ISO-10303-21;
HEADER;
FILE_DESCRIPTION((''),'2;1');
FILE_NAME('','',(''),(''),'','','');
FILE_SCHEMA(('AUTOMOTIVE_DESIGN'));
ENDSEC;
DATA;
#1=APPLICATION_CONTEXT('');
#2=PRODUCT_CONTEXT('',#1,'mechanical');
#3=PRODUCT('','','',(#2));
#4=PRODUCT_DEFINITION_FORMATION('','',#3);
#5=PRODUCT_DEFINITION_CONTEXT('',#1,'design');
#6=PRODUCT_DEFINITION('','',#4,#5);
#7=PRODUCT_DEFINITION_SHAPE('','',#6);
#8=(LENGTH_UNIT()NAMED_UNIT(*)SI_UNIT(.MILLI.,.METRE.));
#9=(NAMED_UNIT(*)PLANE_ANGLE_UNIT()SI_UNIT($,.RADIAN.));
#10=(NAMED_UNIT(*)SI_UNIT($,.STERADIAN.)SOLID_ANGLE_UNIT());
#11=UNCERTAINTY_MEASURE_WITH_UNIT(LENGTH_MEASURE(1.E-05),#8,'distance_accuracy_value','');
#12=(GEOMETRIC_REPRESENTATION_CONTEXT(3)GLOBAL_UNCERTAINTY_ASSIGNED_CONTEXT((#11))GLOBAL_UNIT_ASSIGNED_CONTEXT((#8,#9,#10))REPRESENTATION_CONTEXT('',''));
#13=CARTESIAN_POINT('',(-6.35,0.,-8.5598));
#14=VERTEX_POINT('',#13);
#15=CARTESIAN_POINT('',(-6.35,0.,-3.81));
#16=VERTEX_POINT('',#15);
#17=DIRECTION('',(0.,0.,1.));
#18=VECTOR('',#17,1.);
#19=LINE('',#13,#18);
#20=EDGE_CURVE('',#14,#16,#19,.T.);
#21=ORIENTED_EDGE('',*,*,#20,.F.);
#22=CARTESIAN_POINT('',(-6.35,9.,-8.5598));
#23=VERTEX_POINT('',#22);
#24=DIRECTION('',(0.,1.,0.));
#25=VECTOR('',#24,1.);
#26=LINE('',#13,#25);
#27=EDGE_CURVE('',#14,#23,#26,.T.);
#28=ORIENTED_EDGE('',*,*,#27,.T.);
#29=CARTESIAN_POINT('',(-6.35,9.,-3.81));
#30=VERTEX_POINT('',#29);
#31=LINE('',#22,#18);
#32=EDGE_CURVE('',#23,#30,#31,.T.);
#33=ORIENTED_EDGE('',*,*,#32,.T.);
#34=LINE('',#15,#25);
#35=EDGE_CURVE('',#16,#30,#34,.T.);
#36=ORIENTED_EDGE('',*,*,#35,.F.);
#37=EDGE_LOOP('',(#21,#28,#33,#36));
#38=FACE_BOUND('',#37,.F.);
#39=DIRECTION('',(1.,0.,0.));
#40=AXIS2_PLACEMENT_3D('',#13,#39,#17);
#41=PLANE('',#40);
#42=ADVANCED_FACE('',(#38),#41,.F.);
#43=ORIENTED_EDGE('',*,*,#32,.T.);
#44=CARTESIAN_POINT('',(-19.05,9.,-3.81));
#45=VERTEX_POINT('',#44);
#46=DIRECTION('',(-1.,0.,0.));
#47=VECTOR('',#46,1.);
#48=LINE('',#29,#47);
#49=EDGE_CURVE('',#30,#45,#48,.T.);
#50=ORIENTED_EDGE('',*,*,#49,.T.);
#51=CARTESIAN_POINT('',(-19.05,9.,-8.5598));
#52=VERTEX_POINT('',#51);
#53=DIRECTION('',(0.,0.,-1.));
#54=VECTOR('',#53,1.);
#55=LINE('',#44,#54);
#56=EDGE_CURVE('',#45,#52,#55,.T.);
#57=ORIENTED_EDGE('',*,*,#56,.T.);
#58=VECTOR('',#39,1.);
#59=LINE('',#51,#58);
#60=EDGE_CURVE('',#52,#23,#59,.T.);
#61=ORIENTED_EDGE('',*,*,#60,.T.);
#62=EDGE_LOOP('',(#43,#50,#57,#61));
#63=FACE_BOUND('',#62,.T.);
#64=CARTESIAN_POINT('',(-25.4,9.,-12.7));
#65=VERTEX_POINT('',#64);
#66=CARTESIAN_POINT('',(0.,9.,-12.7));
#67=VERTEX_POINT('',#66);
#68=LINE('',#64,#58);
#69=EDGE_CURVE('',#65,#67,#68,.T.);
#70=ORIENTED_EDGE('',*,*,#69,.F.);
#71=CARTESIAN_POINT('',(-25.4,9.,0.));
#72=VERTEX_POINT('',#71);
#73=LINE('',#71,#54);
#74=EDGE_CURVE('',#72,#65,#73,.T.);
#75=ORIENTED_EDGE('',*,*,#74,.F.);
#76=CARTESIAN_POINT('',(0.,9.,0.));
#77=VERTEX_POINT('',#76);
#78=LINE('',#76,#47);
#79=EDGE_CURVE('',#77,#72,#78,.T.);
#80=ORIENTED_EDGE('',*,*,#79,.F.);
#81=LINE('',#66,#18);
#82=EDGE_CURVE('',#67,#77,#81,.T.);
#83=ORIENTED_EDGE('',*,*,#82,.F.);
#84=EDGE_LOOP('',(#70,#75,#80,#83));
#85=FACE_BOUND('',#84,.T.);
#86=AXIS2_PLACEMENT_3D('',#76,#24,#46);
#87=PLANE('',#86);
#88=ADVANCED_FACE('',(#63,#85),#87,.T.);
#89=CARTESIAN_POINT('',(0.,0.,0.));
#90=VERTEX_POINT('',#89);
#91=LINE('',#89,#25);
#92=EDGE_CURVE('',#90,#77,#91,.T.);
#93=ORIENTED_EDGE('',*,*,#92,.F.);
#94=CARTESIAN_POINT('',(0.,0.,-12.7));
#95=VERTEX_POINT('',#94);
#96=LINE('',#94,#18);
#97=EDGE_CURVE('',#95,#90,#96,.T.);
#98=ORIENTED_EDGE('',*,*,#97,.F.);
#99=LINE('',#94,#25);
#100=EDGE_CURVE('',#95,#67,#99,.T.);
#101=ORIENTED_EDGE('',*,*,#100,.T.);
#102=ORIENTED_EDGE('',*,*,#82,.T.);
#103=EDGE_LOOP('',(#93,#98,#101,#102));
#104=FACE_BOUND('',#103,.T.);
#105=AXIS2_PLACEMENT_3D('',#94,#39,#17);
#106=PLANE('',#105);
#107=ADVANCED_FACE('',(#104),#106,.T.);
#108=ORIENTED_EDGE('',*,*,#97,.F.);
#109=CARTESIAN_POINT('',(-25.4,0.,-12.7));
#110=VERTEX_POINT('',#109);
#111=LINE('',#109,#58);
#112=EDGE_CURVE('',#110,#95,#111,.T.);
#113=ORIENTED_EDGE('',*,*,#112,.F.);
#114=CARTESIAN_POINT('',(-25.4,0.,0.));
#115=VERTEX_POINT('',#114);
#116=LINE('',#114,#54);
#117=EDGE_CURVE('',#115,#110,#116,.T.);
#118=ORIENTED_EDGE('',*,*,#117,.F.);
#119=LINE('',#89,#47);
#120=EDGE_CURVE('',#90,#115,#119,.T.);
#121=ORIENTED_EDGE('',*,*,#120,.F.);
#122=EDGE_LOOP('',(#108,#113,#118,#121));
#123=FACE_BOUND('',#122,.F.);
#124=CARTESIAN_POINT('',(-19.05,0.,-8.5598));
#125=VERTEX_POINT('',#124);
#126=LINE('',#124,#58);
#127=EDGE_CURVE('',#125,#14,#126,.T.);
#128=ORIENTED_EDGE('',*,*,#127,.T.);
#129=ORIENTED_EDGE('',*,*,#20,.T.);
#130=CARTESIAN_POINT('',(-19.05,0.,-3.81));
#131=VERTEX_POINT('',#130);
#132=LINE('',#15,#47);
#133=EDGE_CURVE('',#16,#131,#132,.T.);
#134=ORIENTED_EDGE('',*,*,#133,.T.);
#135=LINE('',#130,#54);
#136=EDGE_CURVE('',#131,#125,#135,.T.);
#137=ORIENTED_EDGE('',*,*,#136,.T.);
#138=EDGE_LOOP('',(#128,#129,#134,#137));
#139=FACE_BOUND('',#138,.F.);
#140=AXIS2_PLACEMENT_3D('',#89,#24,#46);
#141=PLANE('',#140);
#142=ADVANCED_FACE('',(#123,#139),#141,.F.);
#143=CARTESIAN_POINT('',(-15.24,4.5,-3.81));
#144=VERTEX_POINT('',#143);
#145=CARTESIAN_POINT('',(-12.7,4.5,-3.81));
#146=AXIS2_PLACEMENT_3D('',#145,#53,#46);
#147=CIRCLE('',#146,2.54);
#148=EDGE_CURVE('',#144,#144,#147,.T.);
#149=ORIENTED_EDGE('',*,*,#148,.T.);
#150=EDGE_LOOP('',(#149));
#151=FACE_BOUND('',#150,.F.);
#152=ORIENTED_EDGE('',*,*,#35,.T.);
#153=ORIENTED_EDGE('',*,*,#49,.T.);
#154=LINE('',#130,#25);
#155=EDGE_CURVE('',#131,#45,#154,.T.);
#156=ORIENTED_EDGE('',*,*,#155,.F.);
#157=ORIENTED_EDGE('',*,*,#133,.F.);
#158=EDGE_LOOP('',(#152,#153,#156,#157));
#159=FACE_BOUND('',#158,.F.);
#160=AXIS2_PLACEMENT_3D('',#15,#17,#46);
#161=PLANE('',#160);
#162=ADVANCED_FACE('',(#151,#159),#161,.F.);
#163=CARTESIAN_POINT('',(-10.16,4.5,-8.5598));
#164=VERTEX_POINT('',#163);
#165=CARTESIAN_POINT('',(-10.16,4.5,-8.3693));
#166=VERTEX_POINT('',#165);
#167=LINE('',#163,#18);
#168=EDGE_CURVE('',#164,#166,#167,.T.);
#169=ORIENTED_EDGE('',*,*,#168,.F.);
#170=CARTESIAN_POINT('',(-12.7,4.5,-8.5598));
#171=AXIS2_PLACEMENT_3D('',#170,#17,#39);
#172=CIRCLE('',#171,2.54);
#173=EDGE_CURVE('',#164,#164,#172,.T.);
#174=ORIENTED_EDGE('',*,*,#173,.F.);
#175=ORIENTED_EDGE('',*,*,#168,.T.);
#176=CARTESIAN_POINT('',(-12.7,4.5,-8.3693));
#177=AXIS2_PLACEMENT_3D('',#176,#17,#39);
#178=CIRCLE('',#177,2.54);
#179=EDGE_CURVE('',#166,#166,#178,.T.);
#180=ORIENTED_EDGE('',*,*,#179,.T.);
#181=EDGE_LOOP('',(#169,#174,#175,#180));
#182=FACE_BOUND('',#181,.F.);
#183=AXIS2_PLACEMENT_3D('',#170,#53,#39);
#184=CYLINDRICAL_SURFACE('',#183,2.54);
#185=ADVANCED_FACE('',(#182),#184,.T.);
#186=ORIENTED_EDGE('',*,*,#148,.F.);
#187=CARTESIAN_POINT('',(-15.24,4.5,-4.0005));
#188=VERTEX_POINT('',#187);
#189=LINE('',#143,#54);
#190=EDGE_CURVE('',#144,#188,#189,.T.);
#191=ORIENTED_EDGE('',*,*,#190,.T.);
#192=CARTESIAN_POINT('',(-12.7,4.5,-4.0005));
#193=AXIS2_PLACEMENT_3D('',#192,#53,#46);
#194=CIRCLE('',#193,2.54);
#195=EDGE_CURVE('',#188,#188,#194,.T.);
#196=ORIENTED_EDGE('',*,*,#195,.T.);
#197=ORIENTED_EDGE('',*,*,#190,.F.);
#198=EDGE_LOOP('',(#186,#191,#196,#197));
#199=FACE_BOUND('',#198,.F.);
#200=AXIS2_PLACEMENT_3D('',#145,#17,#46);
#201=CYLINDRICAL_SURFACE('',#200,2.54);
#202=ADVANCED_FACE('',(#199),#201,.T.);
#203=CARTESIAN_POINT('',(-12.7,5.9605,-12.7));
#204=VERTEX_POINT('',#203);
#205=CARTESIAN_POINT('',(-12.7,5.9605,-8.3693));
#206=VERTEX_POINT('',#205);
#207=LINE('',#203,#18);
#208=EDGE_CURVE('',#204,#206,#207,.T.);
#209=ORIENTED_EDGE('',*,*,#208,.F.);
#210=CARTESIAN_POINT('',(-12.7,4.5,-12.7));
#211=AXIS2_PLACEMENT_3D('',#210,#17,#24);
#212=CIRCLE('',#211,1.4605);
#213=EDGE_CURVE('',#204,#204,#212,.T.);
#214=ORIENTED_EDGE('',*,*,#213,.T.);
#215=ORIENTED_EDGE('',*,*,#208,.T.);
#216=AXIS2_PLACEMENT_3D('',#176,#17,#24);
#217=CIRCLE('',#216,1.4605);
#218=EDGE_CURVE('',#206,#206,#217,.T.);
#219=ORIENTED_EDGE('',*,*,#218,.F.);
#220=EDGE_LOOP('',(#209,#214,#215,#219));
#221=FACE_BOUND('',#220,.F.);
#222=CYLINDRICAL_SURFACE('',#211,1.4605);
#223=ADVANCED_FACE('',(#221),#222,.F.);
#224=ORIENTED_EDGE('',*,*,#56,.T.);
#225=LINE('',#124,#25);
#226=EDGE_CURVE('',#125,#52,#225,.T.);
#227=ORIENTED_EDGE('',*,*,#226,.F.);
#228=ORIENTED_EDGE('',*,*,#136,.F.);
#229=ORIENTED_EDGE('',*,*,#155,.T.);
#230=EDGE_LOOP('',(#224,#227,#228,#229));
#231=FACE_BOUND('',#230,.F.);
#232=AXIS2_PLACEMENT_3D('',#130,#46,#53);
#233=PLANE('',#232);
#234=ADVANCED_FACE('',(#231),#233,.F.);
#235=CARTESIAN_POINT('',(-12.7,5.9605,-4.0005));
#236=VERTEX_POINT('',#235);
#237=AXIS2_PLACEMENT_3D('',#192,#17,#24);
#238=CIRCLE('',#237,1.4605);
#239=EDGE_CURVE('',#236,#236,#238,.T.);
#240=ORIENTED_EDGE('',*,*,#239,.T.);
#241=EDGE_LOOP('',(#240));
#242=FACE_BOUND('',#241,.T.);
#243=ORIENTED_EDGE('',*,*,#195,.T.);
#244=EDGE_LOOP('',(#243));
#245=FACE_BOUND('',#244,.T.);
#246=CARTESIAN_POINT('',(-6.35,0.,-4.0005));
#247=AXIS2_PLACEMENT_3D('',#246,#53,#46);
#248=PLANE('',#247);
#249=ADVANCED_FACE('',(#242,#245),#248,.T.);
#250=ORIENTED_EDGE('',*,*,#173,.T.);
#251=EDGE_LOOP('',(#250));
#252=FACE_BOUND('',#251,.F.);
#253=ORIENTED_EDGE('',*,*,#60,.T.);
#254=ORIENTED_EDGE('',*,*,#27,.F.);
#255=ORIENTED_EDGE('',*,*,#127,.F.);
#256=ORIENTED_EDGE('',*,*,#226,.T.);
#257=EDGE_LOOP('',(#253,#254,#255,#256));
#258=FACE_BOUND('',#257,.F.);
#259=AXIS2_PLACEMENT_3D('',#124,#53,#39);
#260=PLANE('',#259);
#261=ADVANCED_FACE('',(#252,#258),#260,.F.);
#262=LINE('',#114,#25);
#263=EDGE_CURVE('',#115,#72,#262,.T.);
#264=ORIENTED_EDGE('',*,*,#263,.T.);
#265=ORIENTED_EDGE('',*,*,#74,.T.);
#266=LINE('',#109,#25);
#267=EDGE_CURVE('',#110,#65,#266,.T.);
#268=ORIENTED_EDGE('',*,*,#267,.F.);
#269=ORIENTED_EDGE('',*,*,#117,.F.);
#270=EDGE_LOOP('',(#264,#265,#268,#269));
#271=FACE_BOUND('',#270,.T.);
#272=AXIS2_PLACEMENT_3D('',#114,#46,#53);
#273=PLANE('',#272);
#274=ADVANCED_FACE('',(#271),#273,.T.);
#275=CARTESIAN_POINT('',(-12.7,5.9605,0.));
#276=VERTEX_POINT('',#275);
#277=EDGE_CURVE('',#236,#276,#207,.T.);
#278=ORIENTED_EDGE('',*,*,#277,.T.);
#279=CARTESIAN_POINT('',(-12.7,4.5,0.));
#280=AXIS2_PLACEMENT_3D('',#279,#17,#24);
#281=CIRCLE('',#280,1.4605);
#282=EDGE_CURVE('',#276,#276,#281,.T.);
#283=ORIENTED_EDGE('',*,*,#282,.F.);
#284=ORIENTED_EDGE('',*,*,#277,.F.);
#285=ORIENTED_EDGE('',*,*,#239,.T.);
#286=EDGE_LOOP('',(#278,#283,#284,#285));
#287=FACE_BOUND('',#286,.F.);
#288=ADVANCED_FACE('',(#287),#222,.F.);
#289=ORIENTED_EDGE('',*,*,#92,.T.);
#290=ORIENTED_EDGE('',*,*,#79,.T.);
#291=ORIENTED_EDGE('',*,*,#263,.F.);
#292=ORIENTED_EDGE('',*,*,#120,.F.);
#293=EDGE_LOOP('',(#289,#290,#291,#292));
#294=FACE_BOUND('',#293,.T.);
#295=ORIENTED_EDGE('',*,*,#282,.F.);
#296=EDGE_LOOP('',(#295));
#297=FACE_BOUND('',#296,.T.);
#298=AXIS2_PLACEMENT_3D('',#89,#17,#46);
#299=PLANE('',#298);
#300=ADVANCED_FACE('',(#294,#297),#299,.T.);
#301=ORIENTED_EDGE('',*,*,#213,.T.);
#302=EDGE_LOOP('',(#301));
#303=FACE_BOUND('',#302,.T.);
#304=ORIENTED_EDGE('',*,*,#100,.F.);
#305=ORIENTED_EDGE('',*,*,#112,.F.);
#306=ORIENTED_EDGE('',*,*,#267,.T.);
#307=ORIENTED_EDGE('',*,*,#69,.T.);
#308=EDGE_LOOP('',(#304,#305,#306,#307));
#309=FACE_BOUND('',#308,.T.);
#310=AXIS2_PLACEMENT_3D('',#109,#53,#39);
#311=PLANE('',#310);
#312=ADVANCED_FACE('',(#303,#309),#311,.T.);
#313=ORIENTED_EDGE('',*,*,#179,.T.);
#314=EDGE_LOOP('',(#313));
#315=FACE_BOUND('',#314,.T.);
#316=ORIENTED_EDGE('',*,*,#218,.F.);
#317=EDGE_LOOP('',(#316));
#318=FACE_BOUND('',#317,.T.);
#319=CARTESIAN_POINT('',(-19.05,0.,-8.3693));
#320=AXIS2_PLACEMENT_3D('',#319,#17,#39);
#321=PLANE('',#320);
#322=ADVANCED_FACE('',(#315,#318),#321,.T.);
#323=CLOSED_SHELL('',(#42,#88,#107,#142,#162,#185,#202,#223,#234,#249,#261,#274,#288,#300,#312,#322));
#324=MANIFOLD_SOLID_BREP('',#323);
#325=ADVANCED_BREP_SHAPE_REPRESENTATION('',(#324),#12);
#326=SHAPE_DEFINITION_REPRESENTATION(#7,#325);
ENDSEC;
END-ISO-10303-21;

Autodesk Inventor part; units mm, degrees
ref_plane "YZ Plane" through (0, 0, 0) normal (1, 0, 0) x (0, 1, 0)
ref_plane "XZ Plane" through (0, 0, 0) normal (0, 1, 0) x (-1, 0, 0)
ref_plane "XY Plane" through (0, 0, 0) normal (0, 0, 1) x (1, 0, 0)
sketch "Sketch1" plane through (0, 0, 0) normal (0, 1, 0) x (-1, 0, 0)
  line L0 (0, 0) -> (25.4, 0)
  line L1 (25.4, 0) -> (25.4, -12.7)
  line L2 (25.4, -12.7) -> (0, -12.7)
  line L3 (0, -12.7) -> (0, 0)
  line L4 (6.35, -3.81) -> (19.05, -3.81)
  line L5 (19.05, -3.81) -> (19.05, -8.5598)
  line L6 (19.05, -8.5598) -> (6.35, -8.5598)
  line L7 (6.35, -8.5598) -> (6.35, -3.81)
  dimension "d0" = 25.4
  dimension "d1" = 12.7
  dimension "d2" = 12.7
  dimension "d3" = 4.7498
  dimension "d5" = 6.35
  dimension "d6" = 3.81
extrude "Extrusion1" add sketch "Sketch1" along normal blind 9
sketch "Sketch2" plane through (-19.05, 0, -8.5598) normal (0, 0, 1) x (1, 0, 0)
  circle A0 centre (6.35, 4.5) radius 2.54
  line L0 (12.7, 0) -> (12.7, 9) projected
  point P0 (19.05, 0)
  dimension "d9" = 5.08
  dimension "d10" = 4.5
  dimension "d11" = 6.35
extrude "Extrusion2" add sketch "Sketch2" along normal blind 0.1905
sketch "Sketch3" plane through (-6.35, 0, -3.81) normal (0, 0, -1) x (-1, 0, 0)
  circle A0 centre (6.35, 4.5) radius 2.54
  line L0 (0, 0) -> (0, 9) projected
  point P0 (-6.35, 0)
  dimension "d14" = 5.08
  dimension "d15" = 4.5
  dimension "d16" = 6.35
extrude "Extrusion3" add sketch "Sketch3" along normal blind 0.1905
sketch "Sketch4" plane through (0, 0, -12.7) normal (0, 0, -1) x (-1, 0, 0)
  circle A0 centre (12.7, 4.5) radius 1.4605
  line L0 (0, 0) -> (0, 9) projected
  line L1 (25.4, 0) -> (0, 0) projected
  dimension "d19" = 2.921
  dimension "d20" = 12.7
  dimension "d21" = 4.5
hole "Hole1" at (-12.7, 4.5, -12.7) direction (0, 0, 1) diameter 2.921 end through all
properties part number "pulley enclosure test"
